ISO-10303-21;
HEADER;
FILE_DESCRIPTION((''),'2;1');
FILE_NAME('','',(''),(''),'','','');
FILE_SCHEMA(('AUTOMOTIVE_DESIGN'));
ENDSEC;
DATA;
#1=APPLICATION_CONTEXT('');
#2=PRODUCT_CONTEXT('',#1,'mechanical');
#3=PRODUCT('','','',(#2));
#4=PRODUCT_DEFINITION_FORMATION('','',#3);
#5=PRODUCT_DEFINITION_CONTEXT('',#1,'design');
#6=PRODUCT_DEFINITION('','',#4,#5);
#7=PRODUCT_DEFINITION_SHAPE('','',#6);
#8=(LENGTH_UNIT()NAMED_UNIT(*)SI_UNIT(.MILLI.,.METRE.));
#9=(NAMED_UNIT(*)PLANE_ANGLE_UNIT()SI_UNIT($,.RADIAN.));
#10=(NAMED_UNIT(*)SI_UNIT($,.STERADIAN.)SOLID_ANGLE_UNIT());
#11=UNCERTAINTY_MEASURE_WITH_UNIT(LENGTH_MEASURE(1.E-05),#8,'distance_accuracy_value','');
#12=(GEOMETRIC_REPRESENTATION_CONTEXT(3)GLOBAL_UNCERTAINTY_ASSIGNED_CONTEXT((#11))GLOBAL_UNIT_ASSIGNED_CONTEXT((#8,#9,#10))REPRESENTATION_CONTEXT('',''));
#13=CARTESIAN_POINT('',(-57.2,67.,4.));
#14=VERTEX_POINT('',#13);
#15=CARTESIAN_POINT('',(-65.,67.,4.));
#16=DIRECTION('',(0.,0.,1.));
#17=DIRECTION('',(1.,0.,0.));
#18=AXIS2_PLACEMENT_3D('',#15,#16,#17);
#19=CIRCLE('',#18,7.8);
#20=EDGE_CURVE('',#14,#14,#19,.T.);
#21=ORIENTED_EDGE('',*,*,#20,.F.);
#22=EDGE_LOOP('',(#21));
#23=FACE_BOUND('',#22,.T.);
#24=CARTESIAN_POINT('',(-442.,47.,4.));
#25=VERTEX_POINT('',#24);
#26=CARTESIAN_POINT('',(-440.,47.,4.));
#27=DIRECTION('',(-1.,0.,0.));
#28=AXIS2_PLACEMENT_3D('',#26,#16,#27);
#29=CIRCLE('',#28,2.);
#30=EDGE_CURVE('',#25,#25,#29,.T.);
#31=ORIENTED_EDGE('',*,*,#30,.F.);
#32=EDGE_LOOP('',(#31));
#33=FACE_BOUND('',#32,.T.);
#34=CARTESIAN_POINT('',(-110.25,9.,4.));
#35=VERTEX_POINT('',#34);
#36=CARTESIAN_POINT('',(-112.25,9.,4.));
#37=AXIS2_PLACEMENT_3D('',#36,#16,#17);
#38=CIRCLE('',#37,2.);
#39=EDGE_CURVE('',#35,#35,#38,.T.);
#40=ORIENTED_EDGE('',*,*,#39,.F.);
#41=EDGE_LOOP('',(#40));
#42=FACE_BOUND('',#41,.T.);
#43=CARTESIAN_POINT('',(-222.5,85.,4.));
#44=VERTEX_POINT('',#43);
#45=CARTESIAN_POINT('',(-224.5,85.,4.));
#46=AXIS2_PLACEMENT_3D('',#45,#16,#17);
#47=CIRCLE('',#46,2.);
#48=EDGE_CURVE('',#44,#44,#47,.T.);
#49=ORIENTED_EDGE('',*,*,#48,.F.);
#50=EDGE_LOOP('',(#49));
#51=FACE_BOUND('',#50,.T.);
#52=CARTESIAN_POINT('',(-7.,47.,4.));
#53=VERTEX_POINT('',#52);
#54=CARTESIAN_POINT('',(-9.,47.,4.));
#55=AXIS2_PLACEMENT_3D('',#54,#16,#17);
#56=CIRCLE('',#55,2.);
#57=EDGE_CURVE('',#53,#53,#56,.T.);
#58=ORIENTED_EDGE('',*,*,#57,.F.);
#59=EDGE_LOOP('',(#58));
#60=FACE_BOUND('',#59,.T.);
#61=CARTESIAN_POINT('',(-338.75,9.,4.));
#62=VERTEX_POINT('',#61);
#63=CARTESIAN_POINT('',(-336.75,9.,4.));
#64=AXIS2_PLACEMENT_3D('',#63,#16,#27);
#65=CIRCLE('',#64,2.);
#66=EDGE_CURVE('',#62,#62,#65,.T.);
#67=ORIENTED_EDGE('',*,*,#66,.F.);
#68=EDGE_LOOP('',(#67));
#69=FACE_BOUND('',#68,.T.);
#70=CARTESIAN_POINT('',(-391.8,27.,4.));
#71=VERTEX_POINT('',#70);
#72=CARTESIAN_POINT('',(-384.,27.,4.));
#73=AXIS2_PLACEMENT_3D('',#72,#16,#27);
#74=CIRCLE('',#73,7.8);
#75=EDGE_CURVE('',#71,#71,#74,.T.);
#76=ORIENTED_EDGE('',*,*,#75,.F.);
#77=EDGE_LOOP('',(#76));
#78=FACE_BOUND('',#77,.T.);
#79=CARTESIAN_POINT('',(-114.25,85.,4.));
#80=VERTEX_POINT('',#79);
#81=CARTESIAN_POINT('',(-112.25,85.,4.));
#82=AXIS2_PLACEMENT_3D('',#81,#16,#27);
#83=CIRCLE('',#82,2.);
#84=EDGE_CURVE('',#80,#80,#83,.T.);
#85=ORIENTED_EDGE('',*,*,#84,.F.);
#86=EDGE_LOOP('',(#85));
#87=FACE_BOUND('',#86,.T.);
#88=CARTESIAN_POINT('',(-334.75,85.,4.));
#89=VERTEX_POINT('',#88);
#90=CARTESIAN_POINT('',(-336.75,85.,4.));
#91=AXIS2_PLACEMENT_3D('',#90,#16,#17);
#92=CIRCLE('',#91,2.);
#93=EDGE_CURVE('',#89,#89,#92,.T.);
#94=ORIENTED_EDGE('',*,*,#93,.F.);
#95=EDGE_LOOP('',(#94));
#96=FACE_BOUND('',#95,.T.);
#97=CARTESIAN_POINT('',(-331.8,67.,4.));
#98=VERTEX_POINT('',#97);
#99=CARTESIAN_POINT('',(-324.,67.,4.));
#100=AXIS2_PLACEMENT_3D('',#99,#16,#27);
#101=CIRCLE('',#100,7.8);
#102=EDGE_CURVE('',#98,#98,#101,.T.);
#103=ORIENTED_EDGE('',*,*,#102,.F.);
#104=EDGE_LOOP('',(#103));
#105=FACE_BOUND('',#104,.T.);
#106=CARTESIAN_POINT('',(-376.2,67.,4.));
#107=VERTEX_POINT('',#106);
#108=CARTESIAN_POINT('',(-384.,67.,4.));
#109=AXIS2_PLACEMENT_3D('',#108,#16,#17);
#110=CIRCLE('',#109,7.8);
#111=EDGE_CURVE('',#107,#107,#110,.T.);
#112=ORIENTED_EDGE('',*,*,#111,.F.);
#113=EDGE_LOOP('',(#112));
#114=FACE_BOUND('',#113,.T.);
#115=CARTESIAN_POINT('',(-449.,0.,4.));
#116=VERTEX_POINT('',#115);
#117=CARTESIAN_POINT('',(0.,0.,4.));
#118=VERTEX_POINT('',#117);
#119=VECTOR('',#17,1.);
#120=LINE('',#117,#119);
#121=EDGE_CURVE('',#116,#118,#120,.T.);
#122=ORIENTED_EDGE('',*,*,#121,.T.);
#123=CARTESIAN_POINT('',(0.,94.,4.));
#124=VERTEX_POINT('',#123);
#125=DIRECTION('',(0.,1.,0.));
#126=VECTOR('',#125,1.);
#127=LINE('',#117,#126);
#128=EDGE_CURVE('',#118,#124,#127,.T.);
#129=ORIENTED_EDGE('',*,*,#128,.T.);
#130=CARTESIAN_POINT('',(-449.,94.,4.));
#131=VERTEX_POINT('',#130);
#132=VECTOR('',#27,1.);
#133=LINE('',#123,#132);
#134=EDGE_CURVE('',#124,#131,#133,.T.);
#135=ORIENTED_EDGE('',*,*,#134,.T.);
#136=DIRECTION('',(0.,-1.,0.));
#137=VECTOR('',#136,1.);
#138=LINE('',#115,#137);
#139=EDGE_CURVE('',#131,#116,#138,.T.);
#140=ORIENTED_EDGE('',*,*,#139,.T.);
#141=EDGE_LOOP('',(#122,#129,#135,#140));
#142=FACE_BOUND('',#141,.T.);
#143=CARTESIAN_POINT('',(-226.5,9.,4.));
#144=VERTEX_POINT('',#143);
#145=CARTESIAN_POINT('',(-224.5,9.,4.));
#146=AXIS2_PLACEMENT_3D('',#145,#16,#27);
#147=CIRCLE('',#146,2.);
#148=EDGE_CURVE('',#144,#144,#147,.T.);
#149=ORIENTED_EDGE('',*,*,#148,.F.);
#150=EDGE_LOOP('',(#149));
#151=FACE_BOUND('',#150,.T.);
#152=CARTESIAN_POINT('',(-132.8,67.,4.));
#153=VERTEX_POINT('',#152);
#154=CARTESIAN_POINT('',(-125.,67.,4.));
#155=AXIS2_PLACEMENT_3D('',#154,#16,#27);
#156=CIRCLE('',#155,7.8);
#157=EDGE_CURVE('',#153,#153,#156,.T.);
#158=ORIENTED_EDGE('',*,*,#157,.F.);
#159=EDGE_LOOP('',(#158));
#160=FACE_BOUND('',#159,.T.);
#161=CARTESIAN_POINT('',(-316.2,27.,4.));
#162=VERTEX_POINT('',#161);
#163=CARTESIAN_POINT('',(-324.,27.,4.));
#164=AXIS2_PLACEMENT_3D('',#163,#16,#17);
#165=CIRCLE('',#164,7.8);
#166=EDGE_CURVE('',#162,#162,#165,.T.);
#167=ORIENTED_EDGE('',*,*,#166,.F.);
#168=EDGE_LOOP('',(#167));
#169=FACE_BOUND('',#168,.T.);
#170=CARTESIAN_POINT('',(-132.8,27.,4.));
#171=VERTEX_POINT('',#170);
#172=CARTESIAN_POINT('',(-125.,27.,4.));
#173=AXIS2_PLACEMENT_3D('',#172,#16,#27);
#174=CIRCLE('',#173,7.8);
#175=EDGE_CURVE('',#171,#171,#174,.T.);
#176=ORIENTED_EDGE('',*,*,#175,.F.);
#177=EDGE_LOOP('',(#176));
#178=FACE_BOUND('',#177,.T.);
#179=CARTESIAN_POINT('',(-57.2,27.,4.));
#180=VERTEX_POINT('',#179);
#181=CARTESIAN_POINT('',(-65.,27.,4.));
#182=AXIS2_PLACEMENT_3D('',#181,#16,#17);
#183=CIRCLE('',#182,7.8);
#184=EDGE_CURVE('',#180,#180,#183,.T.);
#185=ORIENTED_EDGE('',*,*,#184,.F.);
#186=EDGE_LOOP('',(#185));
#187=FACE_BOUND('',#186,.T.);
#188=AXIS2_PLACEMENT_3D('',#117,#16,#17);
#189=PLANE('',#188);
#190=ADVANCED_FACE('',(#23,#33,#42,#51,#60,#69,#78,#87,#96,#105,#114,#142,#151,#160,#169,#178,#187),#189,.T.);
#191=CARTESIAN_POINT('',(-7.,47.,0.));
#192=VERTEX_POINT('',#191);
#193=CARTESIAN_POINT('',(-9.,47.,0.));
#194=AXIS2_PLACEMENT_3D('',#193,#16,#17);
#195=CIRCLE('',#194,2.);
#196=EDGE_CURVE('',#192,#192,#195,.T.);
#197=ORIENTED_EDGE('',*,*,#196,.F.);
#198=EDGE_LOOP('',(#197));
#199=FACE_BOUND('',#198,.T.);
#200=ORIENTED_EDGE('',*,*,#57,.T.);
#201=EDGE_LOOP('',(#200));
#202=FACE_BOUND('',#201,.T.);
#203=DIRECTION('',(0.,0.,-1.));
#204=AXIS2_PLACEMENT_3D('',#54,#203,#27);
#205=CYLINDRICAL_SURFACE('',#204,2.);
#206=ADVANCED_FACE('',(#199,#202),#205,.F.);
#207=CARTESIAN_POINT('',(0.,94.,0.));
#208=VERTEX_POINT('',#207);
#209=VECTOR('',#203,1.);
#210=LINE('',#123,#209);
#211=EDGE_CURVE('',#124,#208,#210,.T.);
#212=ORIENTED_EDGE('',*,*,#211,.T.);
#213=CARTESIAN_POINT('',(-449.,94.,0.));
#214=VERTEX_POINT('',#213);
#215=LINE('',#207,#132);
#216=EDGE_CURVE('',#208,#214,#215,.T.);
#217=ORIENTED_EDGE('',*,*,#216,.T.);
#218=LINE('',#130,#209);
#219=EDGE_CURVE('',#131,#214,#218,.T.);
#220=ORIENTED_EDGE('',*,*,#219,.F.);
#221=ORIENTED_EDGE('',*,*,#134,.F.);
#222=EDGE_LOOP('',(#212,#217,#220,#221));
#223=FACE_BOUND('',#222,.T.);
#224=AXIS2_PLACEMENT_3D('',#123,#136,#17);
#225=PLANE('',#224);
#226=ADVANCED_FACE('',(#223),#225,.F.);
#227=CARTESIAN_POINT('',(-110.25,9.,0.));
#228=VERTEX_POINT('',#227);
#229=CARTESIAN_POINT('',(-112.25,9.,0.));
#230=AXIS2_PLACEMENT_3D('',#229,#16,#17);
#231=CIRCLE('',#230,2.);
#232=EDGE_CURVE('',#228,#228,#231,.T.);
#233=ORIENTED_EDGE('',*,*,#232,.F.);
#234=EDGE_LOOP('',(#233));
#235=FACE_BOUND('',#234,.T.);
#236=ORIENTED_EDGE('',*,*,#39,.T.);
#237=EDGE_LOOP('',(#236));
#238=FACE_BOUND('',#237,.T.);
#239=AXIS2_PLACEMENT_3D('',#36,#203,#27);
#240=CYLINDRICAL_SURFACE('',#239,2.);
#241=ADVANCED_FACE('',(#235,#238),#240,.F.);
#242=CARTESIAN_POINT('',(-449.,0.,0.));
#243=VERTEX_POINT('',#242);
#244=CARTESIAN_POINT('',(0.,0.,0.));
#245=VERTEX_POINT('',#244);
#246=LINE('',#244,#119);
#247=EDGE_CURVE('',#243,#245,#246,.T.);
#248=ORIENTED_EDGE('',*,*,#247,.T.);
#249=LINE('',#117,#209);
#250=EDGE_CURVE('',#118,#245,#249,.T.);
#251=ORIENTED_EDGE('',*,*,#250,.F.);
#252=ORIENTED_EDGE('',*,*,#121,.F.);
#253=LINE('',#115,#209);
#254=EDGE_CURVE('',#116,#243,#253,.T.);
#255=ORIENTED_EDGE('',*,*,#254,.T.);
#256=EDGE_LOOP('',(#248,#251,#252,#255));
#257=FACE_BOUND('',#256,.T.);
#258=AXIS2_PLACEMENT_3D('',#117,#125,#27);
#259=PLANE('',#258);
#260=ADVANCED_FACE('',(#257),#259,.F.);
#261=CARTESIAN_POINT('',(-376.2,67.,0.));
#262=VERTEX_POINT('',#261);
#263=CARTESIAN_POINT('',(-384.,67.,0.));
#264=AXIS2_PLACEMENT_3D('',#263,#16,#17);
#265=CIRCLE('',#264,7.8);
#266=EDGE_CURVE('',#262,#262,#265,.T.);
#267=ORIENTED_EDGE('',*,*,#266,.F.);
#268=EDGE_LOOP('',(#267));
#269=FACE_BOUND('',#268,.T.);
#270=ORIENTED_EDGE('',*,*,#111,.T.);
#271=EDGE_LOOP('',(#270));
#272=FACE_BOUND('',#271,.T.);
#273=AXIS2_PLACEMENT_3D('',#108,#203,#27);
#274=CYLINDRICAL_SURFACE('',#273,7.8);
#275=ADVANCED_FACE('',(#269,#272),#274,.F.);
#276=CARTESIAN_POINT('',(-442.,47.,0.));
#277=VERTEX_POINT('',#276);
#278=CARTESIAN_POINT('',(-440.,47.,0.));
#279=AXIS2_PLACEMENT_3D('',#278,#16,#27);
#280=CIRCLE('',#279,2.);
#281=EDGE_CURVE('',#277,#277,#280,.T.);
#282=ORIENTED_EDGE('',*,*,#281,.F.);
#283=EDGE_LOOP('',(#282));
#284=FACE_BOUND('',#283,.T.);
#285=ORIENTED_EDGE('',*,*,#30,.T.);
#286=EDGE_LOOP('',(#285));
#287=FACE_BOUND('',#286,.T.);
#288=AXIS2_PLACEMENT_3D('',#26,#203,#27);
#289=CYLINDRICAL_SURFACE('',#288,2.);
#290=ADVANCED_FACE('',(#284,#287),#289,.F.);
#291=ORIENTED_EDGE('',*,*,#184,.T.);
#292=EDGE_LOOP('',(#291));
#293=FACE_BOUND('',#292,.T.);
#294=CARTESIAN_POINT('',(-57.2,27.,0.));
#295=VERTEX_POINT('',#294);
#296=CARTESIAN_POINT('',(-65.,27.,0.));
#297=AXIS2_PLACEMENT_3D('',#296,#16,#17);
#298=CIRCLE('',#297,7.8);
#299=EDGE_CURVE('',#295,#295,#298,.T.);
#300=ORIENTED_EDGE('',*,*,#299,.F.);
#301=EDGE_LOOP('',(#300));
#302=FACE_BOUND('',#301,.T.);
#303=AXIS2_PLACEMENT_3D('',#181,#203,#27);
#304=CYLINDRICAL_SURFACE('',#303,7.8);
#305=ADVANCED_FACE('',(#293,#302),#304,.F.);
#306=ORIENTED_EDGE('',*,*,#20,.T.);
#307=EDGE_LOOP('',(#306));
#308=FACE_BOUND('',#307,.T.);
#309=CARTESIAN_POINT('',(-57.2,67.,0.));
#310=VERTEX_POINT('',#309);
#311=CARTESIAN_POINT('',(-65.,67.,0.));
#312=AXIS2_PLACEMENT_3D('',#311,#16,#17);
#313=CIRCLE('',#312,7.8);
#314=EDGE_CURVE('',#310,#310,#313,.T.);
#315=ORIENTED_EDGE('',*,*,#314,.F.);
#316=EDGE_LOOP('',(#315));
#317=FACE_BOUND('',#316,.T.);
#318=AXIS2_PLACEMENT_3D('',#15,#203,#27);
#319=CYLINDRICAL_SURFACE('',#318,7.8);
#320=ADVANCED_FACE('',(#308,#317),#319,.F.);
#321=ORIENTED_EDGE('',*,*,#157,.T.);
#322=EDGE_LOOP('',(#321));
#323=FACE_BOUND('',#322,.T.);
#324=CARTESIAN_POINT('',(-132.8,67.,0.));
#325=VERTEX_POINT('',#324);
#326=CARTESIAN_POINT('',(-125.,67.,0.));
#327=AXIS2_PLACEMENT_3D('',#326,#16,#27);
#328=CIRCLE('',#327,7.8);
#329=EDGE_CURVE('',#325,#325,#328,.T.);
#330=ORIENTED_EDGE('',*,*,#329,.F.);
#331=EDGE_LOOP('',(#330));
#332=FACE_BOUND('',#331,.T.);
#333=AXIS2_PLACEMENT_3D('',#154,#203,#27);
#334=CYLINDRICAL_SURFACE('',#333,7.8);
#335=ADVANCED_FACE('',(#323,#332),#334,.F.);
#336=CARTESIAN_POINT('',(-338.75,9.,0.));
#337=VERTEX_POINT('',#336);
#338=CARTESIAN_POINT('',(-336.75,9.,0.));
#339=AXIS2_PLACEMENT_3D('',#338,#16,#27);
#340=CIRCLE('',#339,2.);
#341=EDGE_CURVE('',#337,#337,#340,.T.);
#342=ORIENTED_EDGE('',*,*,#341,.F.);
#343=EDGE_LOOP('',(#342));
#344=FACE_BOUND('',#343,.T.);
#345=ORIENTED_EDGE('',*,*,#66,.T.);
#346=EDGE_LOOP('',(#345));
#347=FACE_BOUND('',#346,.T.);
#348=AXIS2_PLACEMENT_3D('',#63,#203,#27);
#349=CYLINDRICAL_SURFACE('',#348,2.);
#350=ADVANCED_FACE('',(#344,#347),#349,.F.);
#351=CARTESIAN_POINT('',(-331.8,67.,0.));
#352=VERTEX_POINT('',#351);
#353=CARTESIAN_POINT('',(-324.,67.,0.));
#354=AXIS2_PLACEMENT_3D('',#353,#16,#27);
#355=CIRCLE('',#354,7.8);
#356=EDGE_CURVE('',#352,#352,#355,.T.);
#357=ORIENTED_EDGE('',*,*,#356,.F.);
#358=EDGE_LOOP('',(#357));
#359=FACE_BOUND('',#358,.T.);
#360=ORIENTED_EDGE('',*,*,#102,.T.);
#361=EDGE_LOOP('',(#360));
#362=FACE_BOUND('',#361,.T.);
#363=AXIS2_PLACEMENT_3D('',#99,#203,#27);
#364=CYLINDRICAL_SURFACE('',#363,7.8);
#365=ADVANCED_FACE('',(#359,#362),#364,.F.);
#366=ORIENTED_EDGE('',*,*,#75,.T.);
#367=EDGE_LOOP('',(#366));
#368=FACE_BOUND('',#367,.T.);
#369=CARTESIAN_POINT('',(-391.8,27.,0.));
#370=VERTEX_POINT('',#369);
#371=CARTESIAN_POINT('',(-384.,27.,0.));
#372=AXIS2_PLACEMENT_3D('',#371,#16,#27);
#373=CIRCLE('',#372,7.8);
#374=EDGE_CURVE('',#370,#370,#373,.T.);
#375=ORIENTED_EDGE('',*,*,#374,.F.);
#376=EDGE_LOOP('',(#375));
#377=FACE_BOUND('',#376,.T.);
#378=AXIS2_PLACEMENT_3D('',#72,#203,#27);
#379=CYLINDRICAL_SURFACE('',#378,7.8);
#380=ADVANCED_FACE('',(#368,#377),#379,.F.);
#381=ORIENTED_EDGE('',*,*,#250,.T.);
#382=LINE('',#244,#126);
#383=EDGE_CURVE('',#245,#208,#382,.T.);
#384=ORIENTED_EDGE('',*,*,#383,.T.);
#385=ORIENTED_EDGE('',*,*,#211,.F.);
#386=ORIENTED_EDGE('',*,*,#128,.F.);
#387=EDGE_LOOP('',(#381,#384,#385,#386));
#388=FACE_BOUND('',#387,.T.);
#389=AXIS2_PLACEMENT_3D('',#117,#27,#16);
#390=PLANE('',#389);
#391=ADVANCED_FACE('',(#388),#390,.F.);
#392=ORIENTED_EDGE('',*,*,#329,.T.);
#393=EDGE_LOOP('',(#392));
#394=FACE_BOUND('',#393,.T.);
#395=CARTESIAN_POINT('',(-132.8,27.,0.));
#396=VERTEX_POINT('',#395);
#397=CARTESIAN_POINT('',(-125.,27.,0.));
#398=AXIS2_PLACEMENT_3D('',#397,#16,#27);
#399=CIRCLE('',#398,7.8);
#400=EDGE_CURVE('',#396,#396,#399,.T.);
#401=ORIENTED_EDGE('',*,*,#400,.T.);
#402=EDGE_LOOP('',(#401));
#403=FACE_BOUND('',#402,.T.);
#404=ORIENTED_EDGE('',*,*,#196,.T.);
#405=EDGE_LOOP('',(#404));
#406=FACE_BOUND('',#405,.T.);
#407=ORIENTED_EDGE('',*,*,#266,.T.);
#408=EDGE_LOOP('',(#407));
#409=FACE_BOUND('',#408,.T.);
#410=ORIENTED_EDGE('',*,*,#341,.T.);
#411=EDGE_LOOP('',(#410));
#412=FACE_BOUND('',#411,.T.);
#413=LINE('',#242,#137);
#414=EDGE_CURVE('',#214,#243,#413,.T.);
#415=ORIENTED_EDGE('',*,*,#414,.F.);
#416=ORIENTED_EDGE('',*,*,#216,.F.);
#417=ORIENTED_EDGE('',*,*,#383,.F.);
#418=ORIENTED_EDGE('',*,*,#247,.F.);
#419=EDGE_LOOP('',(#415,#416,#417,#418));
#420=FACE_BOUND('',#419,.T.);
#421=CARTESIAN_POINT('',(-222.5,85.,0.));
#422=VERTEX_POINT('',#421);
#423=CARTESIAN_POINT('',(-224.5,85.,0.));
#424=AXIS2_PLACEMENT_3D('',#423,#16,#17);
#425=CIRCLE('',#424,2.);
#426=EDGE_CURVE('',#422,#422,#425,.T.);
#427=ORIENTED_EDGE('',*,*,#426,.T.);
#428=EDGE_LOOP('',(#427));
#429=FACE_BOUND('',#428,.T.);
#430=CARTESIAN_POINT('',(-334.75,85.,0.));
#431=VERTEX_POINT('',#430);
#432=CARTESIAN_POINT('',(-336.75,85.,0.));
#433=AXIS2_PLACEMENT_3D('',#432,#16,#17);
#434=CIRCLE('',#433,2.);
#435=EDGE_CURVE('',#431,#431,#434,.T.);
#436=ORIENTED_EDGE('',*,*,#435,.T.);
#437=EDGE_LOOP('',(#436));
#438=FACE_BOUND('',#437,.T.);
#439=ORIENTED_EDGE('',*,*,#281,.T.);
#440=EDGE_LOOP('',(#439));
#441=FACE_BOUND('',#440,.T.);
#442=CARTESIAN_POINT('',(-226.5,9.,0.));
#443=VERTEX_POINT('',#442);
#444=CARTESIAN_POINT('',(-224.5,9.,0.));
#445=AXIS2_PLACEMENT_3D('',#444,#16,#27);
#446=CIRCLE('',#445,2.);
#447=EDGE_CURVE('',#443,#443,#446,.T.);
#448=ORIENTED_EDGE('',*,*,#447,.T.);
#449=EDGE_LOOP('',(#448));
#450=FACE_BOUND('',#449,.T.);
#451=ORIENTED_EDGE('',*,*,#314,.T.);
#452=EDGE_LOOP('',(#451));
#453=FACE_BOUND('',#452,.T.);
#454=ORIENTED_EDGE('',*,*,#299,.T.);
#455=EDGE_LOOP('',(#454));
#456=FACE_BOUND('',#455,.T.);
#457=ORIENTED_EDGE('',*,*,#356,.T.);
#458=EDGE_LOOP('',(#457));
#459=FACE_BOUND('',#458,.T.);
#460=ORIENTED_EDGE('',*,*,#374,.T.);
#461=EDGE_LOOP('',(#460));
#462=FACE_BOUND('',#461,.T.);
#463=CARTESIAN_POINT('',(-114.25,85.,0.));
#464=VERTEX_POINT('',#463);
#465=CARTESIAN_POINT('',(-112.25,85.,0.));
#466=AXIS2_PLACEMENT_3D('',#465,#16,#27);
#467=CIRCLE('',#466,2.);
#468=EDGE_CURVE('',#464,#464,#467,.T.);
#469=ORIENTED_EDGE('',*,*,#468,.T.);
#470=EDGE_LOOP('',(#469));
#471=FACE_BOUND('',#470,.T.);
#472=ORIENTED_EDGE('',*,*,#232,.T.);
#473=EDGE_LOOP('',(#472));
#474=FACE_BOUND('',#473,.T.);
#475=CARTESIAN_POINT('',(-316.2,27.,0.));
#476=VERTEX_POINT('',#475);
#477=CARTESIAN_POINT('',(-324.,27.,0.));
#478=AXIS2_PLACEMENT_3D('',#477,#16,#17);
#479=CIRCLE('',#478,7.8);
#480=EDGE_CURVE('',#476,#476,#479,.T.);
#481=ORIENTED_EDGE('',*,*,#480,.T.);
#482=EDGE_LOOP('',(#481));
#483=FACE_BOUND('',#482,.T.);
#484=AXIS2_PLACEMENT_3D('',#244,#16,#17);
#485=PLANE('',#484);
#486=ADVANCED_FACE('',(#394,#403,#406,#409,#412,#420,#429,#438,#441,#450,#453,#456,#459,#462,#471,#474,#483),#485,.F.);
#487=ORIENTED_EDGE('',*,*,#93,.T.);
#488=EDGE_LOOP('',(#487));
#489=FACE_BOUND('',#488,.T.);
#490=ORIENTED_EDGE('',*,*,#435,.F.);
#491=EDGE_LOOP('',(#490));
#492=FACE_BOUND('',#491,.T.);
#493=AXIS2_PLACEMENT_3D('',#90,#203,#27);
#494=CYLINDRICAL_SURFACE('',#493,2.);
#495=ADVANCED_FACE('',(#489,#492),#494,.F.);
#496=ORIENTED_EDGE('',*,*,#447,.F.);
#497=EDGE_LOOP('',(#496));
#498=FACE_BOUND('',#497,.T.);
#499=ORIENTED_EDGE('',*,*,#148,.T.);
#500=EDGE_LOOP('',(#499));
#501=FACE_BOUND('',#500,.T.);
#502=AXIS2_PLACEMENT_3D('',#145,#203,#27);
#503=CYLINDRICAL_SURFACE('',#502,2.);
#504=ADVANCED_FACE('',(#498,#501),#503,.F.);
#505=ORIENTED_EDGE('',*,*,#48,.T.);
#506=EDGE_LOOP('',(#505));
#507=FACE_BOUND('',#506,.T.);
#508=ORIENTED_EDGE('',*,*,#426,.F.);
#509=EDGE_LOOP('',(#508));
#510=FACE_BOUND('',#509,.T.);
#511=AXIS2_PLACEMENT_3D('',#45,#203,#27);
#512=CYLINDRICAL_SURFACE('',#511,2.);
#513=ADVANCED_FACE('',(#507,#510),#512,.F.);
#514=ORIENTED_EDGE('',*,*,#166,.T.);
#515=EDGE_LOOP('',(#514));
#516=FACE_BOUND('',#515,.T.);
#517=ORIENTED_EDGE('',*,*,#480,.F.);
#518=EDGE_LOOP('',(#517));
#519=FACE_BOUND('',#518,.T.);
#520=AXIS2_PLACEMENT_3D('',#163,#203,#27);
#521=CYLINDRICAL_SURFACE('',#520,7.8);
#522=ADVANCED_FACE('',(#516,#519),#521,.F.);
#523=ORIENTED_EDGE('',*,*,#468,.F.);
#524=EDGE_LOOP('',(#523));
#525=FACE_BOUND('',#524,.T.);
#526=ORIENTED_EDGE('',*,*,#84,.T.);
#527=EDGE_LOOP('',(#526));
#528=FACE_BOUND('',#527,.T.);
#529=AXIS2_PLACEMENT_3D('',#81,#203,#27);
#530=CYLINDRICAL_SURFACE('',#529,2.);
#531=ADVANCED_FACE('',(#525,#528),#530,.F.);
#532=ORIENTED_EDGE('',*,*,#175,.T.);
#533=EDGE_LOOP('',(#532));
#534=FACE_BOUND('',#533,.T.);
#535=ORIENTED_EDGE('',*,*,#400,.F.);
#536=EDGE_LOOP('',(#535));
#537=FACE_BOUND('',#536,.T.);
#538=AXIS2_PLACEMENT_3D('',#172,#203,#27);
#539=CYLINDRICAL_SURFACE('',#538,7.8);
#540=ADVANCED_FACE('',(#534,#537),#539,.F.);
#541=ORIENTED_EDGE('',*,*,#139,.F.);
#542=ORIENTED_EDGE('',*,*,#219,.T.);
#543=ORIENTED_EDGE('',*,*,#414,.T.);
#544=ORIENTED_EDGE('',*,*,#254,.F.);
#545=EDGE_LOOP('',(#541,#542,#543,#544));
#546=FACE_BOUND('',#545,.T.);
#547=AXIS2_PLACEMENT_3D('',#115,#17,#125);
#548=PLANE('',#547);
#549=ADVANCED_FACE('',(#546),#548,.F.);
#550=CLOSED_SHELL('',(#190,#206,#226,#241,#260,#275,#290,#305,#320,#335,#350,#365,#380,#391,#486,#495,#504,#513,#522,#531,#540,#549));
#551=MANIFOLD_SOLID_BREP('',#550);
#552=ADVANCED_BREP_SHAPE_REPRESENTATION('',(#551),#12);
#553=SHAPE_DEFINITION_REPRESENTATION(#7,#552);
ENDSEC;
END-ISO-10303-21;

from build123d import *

# Parameters (mm, degrees)
SCHIZZO1_W                   = 449
SCHIZZO1_H                   = 94
SCHIZZO1_R                   = 7.8
SCHIZZO1_R_2                 = 2
ESTRUSIONE_ESTRUSIONE1_DEPTH = 4


with BuildPart() as part:
    # Schizzo1 → Estrusione-Estrusione1 (new body)
    with BuildSketch(Plane.XY):
        with Locations((-224.5, 47)):
            Rectangle(SCHIZZO1_W, SCHIZZO1_H)
        with Locations(Location((-384, 27, 0), (0, 0, 180))):
            Circle(SCHIZZO1_R, mode=Mode.SUBTRACT)
        with Locations((-9, 47)):
            Circle(SCHIZZO1_R_2, mode=Mode.SUBTRACT)
        with Locations((-224.5, 85)):
            Circle(SCHIZZO1_R_2, mode=Mode.SUBTRACT)
        with Locations(Location((-440, 47, 0), (0, 0, 180))):
            Circle(SCHIZZO1_R_2, mode=Mode.SUBTRACT)
        with Locations(Location((-224.5, 9, 0), (0, 0, 180))):
            Circle(SCHIZZO1_R_2, mode=Mode.SUBTRACT)
        with Locations((-324, 27)):
            Circle(SCHIZZO1_R, mode=Mode.SUBTRACT)
        with Locations(Location((-324, 67, 0), (0, 0, 180))):
            Circle(SCHIZZO1_R, mode=Mode.SUBTRACT)
        with Locations((-336.75, 85)):
            Circle(SCHIZZO1_R_2, mode=Mode.SUBTRACT)
        with Locations((-384, 67)):
            Circle(SCHIZZO1_R, mode=Mode.SUBTRACT)
        with Locations(Location((-336.75, 9, 0), (0, 0, 180))):
            Circle(SCHIZZO1_R_2, mode=Mode.SUBTRACT)
        with Locations((-112.25, 9)):
            Circle(SCHIZZO1_R_2, mode=Mode.SUBTRACT)
        with Locations(Location((-112.25, 85, 0), (0, 0, 180))):
            Circle(SCHIZZO1_R_2, mode=Mode.SUBTRACT)
        with Locations((-65, 67)):
            Circle(SCHIZZO1_R, mode=Mode.SUBTRACT)
        with Locations((-65, 27)):
            Circle(SCHIZZO1_R, mode=Mode.SUBTRACT)
        with Locations(Location((-125, 27, 0), (0, 0, 180))):
            Circle(SCHIZZO1_R, mode=Mode.SUBTRACT)
        with Locations(Location((-125, 67, 0), (0, 0, 180))):
            Circle(SCHIZZO1_R, mode=Mode.SUBTRACT)
    extrude(amount=ESTRUSIONE_ESTRUSIONE1_DEPTH)


solid = part.part
